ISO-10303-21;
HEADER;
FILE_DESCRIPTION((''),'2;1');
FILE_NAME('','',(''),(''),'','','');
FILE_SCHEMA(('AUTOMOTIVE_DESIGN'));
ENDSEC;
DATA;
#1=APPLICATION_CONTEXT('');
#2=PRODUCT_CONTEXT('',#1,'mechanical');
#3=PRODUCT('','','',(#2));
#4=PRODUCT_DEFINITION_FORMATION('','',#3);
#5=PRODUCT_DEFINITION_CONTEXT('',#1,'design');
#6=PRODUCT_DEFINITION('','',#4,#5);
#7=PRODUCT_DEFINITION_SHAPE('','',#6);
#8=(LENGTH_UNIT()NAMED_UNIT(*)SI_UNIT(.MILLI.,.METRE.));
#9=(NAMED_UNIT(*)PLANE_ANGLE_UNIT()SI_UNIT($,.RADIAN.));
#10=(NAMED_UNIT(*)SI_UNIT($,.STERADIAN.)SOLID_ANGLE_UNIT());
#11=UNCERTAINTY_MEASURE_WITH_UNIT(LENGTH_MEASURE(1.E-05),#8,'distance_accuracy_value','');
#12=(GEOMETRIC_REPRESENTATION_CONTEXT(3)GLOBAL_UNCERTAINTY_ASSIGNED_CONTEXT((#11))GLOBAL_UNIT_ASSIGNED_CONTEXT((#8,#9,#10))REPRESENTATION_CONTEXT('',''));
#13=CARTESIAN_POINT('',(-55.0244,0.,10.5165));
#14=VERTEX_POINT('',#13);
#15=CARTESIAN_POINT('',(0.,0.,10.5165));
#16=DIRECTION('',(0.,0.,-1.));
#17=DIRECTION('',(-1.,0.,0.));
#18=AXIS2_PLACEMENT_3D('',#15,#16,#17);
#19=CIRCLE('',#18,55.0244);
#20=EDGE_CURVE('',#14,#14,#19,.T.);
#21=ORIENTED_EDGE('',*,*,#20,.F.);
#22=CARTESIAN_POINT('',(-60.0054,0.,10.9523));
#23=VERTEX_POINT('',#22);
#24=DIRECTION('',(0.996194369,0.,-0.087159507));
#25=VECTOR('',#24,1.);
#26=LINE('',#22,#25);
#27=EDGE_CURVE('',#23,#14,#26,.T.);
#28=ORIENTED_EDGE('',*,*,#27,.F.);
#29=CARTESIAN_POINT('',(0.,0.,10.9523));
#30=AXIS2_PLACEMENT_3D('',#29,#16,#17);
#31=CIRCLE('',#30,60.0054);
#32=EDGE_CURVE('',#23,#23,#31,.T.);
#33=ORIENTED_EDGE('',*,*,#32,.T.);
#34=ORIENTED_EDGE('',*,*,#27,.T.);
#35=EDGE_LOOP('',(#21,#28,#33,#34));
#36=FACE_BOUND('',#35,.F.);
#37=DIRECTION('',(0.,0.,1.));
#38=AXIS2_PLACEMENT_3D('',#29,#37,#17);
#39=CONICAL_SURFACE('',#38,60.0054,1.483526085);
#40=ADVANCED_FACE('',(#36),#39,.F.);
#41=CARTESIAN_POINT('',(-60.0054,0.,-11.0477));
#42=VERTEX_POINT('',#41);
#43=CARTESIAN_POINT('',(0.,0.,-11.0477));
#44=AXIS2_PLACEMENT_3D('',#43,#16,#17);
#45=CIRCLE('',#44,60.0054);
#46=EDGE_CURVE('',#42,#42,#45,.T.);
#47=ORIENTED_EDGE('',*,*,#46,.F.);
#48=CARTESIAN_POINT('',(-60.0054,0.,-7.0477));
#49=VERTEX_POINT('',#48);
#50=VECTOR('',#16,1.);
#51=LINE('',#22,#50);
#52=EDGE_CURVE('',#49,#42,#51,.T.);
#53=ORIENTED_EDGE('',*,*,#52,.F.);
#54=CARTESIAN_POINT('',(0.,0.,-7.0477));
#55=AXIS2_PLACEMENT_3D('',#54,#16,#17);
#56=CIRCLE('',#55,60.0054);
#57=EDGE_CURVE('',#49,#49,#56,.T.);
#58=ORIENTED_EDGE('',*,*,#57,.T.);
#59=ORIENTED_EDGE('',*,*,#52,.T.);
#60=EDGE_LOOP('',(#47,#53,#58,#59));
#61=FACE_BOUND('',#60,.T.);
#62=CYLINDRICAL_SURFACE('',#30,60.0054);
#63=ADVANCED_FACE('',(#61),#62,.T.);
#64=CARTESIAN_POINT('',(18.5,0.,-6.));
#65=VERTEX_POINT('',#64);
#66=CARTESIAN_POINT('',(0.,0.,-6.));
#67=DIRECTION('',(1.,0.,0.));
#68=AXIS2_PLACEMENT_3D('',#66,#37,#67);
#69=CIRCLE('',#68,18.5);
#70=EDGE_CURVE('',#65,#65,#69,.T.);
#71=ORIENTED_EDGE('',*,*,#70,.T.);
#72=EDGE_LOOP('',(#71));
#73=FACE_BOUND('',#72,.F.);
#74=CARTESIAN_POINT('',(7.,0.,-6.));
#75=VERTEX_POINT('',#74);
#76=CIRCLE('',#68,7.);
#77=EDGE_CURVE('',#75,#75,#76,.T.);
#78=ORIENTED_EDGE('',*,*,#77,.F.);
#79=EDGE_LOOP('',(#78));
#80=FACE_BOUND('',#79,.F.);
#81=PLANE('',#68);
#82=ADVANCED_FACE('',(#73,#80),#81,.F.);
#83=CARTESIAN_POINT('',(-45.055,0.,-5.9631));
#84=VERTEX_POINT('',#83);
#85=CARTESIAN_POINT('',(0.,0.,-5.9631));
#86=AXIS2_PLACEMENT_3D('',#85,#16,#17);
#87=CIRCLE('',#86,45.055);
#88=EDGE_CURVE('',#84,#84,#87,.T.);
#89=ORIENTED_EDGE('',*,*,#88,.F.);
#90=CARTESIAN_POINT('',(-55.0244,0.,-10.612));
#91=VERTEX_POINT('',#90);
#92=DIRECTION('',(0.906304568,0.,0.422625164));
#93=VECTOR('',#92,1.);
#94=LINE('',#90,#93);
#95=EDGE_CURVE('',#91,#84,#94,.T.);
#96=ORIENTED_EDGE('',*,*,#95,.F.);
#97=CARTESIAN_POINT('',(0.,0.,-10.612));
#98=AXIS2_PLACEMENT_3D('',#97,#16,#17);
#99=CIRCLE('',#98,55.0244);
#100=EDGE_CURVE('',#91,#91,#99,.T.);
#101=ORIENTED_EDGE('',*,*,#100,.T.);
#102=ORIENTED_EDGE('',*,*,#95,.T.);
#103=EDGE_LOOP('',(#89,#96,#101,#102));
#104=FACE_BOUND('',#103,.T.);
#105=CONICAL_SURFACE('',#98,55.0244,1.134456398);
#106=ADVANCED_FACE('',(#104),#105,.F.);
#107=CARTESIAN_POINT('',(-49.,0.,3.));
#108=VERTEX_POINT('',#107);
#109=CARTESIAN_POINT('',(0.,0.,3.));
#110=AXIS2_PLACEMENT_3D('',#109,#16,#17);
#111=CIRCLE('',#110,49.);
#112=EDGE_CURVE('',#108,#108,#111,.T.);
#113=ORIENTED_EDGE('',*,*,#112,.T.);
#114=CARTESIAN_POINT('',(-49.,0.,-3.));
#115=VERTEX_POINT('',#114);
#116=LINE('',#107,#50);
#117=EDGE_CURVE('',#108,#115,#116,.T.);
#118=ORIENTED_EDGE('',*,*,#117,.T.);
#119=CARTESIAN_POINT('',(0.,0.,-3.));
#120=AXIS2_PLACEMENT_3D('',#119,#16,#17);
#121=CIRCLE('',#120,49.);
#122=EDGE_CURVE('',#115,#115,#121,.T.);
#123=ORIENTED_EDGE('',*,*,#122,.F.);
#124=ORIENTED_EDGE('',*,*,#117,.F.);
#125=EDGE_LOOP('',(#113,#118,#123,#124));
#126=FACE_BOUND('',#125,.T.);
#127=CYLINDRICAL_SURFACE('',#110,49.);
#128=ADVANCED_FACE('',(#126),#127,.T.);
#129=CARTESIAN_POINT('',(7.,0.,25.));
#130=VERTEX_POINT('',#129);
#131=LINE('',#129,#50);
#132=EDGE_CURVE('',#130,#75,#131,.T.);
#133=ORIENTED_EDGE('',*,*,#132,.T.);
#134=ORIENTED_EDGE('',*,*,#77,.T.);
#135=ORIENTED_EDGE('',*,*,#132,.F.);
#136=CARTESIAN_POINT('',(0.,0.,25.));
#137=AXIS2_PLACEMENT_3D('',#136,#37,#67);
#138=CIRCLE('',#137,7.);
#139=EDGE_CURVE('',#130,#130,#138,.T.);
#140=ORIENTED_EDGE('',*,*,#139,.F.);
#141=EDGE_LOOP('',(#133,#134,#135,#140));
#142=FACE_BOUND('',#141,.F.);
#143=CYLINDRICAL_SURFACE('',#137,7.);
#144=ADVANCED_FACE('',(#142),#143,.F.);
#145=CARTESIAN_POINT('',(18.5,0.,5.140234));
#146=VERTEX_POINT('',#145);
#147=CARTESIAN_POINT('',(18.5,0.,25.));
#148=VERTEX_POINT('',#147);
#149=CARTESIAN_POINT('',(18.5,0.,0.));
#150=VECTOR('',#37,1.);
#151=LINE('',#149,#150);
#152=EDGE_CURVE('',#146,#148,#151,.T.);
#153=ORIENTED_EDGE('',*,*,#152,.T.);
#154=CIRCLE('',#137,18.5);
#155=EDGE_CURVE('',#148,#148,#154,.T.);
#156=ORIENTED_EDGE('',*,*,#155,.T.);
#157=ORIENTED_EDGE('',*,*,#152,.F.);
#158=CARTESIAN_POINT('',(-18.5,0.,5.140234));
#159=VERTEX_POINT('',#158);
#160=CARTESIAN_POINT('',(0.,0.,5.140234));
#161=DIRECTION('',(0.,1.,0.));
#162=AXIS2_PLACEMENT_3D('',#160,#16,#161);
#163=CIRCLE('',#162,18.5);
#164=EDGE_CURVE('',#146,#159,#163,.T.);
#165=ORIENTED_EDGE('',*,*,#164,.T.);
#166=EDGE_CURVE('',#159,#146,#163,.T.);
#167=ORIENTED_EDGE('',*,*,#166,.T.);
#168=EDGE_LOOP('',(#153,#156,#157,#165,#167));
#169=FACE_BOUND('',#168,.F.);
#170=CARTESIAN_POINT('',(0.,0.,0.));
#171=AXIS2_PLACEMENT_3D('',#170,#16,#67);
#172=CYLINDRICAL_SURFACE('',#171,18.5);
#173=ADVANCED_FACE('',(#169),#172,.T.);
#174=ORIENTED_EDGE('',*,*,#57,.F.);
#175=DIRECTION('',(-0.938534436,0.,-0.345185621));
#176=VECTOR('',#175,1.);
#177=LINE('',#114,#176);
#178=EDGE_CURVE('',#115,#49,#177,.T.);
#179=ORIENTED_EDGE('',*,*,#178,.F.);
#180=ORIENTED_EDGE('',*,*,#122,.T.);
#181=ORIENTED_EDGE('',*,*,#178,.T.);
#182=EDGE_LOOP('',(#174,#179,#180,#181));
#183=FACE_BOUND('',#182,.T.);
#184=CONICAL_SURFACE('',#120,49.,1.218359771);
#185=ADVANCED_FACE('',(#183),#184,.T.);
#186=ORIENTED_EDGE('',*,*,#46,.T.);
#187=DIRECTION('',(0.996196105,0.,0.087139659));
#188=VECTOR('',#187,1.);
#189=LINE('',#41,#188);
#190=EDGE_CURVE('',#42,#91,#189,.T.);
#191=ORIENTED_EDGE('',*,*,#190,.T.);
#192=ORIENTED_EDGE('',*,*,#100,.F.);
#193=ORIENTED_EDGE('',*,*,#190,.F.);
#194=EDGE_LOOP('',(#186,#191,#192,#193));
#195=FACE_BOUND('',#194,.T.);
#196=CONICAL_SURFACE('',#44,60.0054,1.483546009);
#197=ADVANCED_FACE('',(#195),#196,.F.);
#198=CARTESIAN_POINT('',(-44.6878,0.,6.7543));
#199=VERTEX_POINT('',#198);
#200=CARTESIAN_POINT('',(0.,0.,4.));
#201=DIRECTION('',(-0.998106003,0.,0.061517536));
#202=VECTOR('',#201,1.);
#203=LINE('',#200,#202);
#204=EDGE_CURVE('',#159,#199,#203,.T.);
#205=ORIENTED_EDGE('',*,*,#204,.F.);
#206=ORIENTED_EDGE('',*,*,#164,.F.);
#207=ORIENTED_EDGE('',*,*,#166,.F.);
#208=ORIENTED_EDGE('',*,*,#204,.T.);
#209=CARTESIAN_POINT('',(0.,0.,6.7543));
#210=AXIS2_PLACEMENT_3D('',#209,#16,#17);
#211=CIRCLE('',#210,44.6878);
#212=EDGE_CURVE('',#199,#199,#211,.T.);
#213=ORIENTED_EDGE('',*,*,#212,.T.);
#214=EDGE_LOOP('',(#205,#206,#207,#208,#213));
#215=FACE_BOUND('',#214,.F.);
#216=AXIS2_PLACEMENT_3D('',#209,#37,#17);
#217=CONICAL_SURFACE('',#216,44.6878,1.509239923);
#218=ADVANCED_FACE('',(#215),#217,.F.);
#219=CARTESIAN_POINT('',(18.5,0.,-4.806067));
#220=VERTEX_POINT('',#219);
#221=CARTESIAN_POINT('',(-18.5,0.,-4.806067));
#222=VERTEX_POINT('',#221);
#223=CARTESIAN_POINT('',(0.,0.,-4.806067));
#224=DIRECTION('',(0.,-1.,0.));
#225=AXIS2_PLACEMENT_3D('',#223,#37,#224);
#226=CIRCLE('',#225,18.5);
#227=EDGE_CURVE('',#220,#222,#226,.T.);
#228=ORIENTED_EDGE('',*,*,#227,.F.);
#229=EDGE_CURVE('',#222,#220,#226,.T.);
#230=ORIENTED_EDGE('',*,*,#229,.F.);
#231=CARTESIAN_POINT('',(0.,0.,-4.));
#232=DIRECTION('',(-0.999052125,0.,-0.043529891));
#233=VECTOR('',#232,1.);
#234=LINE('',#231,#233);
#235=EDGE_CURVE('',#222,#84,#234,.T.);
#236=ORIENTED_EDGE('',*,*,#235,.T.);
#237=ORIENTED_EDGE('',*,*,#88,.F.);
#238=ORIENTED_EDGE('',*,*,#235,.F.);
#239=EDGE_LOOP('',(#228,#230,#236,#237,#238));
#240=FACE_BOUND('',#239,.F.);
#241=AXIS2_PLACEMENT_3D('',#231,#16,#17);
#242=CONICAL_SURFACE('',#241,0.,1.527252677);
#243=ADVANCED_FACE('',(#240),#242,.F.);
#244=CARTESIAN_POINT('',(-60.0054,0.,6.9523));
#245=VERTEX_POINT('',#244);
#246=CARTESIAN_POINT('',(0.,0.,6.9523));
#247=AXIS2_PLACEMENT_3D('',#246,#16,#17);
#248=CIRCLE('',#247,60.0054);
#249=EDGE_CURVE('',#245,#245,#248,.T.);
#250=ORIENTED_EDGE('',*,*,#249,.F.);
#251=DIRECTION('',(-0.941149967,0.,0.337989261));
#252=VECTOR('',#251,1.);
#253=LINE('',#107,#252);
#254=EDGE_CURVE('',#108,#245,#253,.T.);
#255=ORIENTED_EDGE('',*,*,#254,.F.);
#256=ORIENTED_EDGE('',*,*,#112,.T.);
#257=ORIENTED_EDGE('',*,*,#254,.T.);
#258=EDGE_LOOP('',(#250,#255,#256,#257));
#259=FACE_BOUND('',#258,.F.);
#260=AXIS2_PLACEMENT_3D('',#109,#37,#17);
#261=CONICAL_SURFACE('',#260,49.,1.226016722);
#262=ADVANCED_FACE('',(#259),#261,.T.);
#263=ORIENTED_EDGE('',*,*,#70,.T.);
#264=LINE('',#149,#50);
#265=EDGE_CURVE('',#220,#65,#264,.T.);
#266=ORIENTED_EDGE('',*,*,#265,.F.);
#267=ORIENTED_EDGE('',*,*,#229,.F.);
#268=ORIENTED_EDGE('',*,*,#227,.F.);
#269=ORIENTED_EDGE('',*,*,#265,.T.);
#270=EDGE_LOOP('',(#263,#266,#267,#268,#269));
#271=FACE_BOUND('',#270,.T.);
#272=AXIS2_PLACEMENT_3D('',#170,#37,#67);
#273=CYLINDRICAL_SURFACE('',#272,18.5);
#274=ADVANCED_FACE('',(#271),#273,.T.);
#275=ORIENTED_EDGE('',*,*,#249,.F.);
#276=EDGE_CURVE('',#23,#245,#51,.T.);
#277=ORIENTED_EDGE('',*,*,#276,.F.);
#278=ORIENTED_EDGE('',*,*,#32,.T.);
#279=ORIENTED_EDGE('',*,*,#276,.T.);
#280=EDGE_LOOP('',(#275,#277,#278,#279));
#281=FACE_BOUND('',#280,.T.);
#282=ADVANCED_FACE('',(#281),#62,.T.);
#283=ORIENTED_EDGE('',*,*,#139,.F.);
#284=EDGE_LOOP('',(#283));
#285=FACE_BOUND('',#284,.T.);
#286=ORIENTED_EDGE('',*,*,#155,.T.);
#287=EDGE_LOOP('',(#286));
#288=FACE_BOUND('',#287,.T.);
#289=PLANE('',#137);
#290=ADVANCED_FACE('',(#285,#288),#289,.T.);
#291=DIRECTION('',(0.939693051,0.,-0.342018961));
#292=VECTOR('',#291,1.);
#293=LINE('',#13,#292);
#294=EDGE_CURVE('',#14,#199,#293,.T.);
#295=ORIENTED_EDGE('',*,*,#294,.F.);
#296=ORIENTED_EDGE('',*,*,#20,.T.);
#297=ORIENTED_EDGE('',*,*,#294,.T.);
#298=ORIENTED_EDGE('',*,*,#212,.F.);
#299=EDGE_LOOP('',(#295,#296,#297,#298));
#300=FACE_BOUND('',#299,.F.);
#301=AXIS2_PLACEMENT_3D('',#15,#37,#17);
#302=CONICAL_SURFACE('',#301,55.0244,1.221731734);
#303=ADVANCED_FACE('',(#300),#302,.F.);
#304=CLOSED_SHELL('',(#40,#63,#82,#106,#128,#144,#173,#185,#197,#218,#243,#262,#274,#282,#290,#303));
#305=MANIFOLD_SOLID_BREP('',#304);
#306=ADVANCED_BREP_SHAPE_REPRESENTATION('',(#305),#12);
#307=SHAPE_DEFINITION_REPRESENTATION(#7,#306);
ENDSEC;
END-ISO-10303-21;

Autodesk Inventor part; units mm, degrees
ref_plane "YZ Plane" through (0, 0, 0) normal (1, 0, 0) x (0, 1, 0)
ref_plane "XZ Plane" through (0, 0, 0) normal (0, 1, 0) x (-1, 0, 0)
ref_plane "XY Plane" through (0, 0, 0) normal (0, 0, 1) x (1, 0, 0)
sketch "Sketch1" plane through (0, 0, 0) normal (0, 1, 0) x (-1, 0, 0)
  line L0 (0.0054, 10.9523) -> (60.0054, 10.9523)
  line L1 (60.0054, 10.9523) -> (60.0054, -11.0477)
  line L2 (60.0054, -11.0477) -> (0.0054, -11.0477)
  line L3 (0.0054, -11.0477) -> (0.0054, 10.9523)
  line L4 (60.0054, 10.9523) -> (60.0054, 6.9523)
  line L5 (60.0054, -11.0477) -> (60.0054, -7.0477)
  line L6 (60.0054, -0.0477) -> (49.0054, -0.0477)
  line L7 (49, 3) -> (49, -3)
  line L8 (49, 3) -> (55, 3) construction
  line L9 (49, -3) -> (60.0054, -7.0477)
  line L10 (49, 3) -> (60.0054, 6.9523)
  line L11 (60.0054, 10.9523) -> (45.0054, 10.9523)
  line L12 (60.0054, 10.9523) -> (55.0244, 10.5165)
  line L13 (60.0054, 10.9523) -> (65.0054, 10.9523) construction
  line L14 (55.0244, 10.5165) -> (44.6878, 6.7543)
  line L15 (55.0244, 10.5165) -> (66.0244, 10.5165) construction
  line L16 (60.0054, -11.0477) -> (55.0244, -10.612)
  line L17 (60.0054, -11.0477) -> (65.0054, -11.0477) construction
  line L18 (55.0244, -10.612) -> (45.055, -5.9631)
  line L19 (0, 4) -> (0, -4)
  line L20 (0, 4) -> (8, 4) construction
  line L21 (0, -4) -> (45.055, -5.9631)
  line L22 (44.6878, 6.7543) -> (0, 4)
  dimension "d1" = 60
  dimension "d2" = 22
  dimension "d3" = 4
  dimension "d4" = 4
  dimension "d5" = 11
  dimension "d6" = 6
  dimension "d7" = 90
  dimension "d8" = 15
  dimension "d9" = 5
  dimension "d10" = 175
  dimension "d11" = 11
  dimension "d12" = 160
  dimension "d13" = 5
  dimension "d14" = 175
  dimension "d15" = 11
  dimension "d16" = 160
  dimension "d17" = 8
  dimension "d18" = 90
revolve "Revolution1" add sketch "Sketch1" angle 360 about axis through (0, 0, 4) along (0, 0, -1) contours L22 L14 L12 L1 L10 L7 L9 L16 L18 L21 L3 | L3 L21 L19 L22
sketch "Sketch2" plane through (0, 0, 0) normal (0, 0, 1) x (1, 0, 0)
  circle A0 centre (0, 0) radius 18.5
  dimension "d20" = 37
extrude "Extrusion1" add sketch "Sketch2" along normal blind 25 and the other way blind 6
sketch "Sketch4" plane through (0, 0, 25) normal (0, 0, 1) x (1, 0, 0)
  circle A0 centre (0, 0) radius 7
  dimension "d25" = 14
extrude "Extrusion2" cut sketch "Sketch4" against normal blind 36
properties part number "bánh đà"
